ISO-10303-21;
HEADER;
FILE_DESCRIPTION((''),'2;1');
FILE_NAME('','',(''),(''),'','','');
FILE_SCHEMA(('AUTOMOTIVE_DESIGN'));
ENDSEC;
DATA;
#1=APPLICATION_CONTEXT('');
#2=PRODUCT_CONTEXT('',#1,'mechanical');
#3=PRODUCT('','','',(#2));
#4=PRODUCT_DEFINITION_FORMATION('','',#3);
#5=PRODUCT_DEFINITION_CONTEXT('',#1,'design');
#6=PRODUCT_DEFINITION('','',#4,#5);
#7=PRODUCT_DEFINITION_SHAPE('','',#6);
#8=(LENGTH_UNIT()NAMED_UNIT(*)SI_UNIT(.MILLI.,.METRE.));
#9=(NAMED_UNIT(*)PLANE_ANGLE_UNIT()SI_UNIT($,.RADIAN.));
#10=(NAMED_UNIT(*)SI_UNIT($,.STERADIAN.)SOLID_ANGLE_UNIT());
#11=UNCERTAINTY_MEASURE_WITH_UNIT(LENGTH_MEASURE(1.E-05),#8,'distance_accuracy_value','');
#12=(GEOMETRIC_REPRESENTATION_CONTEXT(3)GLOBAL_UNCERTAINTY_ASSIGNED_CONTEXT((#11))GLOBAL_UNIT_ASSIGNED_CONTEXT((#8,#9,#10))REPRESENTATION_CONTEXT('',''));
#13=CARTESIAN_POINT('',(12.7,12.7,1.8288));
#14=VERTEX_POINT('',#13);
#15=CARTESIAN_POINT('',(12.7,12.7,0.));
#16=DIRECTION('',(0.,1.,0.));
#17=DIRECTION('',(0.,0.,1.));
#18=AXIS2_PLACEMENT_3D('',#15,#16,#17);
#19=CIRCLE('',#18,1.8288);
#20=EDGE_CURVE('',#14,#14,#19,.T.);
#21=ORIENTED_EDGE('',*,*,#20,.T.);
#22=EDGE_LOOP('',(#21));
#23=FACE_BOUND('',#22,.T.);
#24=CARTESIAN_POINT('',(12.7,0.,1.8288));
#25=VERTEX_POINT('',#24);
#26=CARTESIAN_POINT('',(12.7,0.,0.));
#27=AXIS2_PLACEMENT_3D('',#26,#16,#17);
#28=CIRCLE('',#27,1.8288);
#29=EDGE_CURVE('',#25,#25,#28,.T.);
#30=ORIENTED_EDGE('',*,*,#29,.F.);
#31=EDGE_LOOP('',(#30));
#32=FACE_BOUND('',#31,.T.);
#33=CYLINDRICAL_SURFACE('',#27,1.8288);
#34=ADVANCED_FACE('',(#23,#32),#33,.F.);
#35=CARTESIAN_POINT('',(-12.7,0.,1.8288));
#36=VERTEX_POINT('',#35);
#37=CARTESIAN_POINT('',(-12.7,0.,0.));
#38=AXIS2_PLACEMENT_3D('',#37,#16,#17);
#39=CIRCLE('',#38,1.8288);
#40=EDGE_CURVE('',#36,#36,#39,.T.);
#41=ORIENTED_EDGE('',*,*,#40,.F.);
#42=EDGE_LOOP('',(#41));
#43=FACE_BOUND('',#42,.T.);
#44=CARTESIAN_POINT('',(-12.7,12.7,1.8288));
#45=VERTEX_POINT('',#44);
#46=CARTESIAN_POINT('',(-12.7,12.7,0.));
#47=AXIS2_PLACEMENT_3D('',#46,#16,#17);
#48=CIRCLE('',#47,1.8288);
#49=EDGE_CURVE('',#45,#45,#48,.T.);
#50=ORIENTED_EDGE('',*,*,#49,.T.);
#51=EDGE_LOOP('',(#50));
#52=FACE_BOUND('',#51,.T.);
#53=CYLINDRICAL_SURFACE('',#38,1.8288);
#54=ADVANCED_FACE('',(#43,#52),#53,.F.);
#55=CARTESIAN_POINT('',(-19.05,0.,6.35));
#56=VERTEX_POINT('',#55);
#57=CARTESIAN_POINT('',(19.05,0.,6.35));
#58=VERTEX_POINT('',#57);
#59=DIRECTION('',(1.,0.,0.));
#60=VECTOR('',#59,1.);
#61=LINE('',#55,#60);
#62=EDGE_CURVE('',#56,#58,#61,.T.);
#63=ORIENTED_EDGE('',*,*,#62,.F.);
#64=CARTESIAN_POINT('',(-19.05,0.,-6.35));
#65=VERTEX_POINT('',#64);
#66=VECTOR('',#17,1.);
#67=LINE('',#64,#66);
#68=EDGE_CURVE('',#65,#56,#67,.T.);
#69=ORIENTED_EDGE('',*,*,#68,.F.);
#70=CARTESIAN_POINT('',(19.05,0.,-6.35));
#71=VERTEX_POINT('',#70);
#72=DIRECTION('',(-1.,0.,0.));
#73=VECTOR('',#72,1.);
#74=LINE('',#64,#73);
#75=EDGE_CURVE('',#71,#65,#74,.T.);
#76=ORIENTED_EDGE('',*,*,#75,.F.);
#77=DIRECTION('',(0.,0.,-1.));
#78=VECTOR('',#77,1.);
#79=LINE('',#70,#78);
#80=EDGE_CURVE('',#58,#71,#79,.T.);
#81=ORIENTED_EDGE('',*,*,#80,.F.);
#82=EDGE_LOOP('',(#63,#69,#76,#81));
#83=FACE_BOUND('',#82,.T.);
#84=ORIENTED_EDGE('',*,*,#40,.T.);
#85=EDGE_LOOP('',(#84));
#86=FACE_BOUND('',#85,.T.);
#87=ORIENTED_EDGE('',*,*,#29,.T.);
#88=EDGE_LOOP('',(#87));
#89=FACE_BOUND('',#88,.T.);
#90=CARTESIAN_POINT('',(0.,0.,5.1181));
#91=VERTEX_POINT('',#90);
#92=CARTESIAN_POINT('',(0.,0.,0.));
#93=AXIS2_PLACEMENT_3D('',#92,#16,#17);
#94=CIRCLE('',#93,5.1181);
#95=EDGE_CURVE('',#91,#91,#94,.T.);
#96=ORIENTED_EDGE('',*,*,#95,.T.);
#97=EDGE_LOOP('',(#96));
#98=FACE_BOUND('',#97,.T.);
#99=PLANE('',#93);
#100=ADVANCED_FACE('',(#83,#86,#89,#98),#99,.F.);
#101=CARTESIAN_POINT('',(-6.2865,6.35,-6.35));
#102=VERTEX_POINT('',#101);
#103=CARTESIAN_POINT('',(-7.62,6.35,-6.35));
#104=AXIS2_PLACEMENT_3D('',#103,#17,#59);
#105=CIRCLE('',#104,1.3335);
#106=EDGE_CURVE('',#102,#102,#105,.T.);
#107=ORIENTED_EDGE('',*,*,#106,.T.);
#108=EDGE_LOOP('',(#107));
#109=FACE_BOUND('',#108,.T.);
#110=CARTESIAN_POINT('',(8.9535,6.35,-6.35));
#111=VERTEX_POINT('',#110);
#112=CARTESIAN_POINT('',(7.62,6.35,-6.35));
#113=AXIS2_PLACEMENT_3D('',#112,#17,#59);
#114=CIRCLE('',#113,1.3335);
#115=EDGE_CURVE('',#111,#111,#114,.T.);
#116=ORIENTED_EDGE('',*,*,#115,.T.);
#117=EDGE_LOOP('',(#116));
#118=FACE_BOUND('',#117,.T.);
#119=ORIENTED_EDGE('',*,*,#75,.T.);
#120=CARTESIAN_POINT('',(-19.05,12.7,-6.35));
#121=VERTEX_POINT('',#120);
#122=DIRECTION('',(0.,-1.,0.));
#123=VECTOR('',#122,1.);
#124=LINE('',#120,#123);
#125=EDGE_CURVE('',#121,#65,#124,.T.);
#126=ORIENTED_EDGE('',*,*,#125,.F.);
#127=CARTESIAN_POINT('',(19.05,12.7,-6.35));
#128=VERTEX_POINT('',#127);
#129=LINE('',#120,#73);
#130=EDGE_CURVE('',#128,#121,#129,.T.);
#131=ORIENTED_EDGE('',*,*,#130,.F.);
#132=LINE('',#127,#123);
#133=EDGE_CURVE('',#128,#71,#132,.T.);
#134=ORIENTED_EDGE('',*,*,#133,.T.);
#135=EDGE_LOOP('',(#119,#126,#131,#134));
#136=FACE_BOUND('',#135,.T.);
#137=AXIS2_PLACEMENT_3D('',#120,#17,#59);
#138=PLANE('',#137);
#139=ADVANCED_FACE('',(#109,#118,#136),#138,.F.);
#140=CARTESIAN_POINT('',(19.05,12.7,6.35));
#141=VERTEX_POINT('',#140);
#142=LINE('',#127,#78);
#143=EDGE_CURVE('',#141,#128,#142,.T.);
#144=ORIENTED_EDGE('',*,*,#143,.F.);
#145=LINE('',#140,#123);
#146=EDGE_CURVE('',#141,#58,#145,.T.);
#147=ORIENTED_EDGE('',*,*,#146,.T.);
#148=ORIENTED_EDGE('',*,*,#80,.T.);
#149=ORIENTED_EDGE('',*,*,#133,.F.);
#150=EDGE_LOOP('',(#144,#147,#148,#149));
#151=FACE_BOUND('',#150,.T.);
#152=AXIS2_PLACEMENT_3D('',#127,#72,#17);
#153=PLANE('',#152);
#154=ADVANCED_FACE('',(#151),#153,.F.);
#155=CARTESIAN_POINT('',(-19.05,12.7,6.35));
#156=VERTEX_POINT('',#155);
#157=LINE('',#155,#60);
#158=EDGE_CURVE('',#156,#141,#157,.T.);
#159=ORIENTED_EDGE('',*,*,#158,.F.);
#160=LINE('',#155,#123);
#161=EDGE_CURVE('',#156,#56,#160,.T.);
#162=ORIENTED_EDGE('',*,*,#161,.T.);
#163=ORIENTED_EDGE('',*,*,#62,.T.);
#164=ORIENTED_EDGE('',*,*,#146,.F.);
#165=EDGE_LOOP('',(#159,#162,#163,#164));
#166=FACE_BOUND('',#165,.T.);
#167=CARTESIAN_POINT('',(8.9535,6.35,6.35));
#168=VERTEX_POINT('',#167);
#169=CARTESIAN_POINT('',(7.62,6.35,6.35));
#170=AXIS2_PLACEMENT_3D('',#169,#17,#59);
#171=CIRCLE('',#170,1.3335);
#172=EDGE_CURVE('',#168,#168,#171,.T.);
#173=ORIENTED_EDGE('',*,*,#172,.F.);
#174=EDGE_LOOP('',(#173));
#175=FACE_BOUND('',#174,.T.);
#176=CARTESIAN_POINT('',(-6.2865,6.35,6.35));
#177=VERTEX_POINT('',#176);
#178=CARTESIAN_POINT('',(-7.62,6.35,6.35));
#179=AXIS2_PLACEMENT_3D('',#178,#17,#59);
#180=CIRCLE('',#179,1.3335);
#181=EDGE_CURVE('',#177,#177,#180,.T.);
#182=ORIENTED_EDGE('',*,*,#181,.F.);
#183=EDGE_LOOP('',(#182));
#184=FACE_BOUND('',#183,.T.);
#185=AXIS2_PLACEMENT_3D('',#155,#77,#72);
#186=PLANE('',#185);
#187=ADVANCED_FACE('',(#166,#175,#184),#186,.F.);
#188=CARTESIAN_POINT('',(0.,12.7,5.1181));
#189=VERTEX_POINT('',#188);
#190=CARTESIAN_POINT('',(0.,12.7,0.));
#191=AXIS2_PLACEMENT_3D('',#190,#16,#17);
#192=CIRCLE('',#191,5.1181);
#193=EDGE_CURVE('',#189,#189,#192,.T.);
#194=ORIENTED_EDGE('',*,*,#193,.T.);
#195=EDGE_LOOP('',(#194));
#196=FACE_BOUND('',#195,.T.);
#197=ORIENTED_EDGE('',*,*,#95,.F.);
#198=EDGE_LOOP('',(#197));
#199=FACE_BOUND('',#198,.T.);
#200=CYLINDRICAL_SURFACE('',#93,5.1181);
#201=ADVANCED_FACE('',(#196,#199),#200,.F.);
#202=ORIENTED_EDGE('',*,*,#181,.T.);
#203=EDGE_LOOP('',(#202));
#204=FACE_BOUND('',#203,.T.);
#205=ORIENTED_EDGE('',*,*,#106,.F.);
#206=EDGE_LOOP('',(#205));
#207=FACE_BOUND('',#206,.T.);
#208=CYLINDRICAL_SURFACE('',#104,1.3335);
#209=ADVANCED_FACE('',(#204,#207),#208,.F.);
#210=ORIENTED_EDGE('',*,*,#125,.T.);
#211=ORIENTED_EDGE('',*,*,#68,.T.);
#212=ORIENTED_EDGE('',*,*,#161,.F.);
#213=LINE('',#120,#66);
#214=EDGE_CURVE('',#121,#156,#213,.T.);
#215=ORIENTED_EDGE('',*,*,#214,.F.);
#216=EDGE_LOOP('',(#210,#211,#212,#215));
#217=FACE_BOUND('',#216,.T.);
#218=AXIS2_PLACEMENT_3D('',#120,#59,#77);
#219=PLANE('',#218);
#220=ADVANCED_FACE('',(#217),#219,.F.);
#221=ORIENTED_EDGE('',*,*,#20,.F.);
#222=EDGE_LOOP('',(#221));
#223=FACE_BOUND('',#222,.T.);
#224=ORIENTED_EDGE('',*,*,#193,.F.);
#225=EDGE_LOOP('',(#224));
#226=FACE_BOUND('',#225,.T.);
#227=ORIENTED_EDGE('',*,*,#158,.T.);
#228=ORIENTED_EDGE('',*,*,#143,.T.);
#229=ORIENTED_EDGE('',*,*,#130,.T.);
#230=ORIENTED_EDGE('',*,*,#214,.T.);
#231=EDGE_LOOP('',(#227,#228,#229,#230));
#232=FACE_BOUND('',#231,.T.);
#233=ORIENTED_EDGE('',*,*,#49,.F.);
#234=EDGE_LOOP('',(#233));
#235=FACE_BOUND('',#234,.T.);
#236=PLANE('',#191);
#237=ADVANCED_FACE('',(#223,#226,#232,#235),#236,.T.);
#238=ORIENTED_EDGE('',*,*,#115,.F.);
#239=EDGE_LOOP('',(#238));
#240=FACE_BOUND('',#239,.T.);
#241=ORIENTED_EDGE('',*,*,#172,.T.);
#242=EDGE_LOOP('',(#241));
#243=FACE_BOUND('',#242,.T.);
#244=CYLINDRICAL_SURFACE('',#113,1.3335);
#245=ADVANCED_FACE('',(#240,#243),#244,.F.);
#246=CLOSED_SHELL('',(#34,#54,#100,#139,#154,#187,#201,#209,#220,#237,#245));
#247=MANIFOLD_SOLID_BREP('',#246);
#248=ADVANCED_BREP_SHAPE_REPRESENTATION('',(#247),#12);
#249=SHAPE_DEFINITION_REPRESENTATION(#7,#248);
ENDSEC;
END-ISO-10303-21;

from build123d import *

# Parameters (mm, degrees)
SKETCH1_W           = 38.1
SKETCH1_H           = 12.7
BOSS_EXTRUDE1_DEPTH = 12.7
SKETCH2_R           = 5.1181
SKETCH2_R_2         = 1.8288
CUT_EXTRUDE1_DEPTH  = 12.7
SKETCH3_R           = 1.3335
CUT_EXTRUDE2_DEPTH  = 12.7


with BuildPart() as part:
    # Sketch1 → Boss-Extrude1 (new body)
    with BuildSketch(Plane(origin=(0, 0, 0), x_dir=(1, 0, 0), z_dir=(0, 1, 0))):
        Rectangle(SKETCH1_W, SKETCH1_H)
    extrude(amount=BOSS_EXTRUDE1_DEPTH)

    # Sketch2 → Cut-Extrude1 (cut)
    with BuildSketch(Plane(origin=(0, 12.7, 0), x_dir=(1, 0, 0), z_dir=(0, 1, 0))):
        with Locations(Location((0, 0, 0), (0, 0, 270))):
            Circle(SKETCH2_R)
        with Locations(Location((-12.7, 0, 0), (0, 0, 270))):
            Circle(SKETCH2_R_2)
        with Locations(Location((12.7, 0, 0), (0, 0, 270))):
            Circle(SKETCH2_R_2)
    extrude(amount=-CUT_EXTRUDE1_DEPTH, mode=Mode.SUBTRACT)

    # Sketch3 → Cut-Extrude2 (cut)
    with BuildSketch(Plane.XY.offset(6.35)):
        with Locations((-7.62, 6.35)):
            Circle(SKETCH3_R)
        with Locations((7.62, 6.35)):
            Circle(SKETCH3_R)
    extrude(amount=-CUT_EXTRUDE2_DEPTH, mode=Mode.SUBTRACT)


solid = part.part
